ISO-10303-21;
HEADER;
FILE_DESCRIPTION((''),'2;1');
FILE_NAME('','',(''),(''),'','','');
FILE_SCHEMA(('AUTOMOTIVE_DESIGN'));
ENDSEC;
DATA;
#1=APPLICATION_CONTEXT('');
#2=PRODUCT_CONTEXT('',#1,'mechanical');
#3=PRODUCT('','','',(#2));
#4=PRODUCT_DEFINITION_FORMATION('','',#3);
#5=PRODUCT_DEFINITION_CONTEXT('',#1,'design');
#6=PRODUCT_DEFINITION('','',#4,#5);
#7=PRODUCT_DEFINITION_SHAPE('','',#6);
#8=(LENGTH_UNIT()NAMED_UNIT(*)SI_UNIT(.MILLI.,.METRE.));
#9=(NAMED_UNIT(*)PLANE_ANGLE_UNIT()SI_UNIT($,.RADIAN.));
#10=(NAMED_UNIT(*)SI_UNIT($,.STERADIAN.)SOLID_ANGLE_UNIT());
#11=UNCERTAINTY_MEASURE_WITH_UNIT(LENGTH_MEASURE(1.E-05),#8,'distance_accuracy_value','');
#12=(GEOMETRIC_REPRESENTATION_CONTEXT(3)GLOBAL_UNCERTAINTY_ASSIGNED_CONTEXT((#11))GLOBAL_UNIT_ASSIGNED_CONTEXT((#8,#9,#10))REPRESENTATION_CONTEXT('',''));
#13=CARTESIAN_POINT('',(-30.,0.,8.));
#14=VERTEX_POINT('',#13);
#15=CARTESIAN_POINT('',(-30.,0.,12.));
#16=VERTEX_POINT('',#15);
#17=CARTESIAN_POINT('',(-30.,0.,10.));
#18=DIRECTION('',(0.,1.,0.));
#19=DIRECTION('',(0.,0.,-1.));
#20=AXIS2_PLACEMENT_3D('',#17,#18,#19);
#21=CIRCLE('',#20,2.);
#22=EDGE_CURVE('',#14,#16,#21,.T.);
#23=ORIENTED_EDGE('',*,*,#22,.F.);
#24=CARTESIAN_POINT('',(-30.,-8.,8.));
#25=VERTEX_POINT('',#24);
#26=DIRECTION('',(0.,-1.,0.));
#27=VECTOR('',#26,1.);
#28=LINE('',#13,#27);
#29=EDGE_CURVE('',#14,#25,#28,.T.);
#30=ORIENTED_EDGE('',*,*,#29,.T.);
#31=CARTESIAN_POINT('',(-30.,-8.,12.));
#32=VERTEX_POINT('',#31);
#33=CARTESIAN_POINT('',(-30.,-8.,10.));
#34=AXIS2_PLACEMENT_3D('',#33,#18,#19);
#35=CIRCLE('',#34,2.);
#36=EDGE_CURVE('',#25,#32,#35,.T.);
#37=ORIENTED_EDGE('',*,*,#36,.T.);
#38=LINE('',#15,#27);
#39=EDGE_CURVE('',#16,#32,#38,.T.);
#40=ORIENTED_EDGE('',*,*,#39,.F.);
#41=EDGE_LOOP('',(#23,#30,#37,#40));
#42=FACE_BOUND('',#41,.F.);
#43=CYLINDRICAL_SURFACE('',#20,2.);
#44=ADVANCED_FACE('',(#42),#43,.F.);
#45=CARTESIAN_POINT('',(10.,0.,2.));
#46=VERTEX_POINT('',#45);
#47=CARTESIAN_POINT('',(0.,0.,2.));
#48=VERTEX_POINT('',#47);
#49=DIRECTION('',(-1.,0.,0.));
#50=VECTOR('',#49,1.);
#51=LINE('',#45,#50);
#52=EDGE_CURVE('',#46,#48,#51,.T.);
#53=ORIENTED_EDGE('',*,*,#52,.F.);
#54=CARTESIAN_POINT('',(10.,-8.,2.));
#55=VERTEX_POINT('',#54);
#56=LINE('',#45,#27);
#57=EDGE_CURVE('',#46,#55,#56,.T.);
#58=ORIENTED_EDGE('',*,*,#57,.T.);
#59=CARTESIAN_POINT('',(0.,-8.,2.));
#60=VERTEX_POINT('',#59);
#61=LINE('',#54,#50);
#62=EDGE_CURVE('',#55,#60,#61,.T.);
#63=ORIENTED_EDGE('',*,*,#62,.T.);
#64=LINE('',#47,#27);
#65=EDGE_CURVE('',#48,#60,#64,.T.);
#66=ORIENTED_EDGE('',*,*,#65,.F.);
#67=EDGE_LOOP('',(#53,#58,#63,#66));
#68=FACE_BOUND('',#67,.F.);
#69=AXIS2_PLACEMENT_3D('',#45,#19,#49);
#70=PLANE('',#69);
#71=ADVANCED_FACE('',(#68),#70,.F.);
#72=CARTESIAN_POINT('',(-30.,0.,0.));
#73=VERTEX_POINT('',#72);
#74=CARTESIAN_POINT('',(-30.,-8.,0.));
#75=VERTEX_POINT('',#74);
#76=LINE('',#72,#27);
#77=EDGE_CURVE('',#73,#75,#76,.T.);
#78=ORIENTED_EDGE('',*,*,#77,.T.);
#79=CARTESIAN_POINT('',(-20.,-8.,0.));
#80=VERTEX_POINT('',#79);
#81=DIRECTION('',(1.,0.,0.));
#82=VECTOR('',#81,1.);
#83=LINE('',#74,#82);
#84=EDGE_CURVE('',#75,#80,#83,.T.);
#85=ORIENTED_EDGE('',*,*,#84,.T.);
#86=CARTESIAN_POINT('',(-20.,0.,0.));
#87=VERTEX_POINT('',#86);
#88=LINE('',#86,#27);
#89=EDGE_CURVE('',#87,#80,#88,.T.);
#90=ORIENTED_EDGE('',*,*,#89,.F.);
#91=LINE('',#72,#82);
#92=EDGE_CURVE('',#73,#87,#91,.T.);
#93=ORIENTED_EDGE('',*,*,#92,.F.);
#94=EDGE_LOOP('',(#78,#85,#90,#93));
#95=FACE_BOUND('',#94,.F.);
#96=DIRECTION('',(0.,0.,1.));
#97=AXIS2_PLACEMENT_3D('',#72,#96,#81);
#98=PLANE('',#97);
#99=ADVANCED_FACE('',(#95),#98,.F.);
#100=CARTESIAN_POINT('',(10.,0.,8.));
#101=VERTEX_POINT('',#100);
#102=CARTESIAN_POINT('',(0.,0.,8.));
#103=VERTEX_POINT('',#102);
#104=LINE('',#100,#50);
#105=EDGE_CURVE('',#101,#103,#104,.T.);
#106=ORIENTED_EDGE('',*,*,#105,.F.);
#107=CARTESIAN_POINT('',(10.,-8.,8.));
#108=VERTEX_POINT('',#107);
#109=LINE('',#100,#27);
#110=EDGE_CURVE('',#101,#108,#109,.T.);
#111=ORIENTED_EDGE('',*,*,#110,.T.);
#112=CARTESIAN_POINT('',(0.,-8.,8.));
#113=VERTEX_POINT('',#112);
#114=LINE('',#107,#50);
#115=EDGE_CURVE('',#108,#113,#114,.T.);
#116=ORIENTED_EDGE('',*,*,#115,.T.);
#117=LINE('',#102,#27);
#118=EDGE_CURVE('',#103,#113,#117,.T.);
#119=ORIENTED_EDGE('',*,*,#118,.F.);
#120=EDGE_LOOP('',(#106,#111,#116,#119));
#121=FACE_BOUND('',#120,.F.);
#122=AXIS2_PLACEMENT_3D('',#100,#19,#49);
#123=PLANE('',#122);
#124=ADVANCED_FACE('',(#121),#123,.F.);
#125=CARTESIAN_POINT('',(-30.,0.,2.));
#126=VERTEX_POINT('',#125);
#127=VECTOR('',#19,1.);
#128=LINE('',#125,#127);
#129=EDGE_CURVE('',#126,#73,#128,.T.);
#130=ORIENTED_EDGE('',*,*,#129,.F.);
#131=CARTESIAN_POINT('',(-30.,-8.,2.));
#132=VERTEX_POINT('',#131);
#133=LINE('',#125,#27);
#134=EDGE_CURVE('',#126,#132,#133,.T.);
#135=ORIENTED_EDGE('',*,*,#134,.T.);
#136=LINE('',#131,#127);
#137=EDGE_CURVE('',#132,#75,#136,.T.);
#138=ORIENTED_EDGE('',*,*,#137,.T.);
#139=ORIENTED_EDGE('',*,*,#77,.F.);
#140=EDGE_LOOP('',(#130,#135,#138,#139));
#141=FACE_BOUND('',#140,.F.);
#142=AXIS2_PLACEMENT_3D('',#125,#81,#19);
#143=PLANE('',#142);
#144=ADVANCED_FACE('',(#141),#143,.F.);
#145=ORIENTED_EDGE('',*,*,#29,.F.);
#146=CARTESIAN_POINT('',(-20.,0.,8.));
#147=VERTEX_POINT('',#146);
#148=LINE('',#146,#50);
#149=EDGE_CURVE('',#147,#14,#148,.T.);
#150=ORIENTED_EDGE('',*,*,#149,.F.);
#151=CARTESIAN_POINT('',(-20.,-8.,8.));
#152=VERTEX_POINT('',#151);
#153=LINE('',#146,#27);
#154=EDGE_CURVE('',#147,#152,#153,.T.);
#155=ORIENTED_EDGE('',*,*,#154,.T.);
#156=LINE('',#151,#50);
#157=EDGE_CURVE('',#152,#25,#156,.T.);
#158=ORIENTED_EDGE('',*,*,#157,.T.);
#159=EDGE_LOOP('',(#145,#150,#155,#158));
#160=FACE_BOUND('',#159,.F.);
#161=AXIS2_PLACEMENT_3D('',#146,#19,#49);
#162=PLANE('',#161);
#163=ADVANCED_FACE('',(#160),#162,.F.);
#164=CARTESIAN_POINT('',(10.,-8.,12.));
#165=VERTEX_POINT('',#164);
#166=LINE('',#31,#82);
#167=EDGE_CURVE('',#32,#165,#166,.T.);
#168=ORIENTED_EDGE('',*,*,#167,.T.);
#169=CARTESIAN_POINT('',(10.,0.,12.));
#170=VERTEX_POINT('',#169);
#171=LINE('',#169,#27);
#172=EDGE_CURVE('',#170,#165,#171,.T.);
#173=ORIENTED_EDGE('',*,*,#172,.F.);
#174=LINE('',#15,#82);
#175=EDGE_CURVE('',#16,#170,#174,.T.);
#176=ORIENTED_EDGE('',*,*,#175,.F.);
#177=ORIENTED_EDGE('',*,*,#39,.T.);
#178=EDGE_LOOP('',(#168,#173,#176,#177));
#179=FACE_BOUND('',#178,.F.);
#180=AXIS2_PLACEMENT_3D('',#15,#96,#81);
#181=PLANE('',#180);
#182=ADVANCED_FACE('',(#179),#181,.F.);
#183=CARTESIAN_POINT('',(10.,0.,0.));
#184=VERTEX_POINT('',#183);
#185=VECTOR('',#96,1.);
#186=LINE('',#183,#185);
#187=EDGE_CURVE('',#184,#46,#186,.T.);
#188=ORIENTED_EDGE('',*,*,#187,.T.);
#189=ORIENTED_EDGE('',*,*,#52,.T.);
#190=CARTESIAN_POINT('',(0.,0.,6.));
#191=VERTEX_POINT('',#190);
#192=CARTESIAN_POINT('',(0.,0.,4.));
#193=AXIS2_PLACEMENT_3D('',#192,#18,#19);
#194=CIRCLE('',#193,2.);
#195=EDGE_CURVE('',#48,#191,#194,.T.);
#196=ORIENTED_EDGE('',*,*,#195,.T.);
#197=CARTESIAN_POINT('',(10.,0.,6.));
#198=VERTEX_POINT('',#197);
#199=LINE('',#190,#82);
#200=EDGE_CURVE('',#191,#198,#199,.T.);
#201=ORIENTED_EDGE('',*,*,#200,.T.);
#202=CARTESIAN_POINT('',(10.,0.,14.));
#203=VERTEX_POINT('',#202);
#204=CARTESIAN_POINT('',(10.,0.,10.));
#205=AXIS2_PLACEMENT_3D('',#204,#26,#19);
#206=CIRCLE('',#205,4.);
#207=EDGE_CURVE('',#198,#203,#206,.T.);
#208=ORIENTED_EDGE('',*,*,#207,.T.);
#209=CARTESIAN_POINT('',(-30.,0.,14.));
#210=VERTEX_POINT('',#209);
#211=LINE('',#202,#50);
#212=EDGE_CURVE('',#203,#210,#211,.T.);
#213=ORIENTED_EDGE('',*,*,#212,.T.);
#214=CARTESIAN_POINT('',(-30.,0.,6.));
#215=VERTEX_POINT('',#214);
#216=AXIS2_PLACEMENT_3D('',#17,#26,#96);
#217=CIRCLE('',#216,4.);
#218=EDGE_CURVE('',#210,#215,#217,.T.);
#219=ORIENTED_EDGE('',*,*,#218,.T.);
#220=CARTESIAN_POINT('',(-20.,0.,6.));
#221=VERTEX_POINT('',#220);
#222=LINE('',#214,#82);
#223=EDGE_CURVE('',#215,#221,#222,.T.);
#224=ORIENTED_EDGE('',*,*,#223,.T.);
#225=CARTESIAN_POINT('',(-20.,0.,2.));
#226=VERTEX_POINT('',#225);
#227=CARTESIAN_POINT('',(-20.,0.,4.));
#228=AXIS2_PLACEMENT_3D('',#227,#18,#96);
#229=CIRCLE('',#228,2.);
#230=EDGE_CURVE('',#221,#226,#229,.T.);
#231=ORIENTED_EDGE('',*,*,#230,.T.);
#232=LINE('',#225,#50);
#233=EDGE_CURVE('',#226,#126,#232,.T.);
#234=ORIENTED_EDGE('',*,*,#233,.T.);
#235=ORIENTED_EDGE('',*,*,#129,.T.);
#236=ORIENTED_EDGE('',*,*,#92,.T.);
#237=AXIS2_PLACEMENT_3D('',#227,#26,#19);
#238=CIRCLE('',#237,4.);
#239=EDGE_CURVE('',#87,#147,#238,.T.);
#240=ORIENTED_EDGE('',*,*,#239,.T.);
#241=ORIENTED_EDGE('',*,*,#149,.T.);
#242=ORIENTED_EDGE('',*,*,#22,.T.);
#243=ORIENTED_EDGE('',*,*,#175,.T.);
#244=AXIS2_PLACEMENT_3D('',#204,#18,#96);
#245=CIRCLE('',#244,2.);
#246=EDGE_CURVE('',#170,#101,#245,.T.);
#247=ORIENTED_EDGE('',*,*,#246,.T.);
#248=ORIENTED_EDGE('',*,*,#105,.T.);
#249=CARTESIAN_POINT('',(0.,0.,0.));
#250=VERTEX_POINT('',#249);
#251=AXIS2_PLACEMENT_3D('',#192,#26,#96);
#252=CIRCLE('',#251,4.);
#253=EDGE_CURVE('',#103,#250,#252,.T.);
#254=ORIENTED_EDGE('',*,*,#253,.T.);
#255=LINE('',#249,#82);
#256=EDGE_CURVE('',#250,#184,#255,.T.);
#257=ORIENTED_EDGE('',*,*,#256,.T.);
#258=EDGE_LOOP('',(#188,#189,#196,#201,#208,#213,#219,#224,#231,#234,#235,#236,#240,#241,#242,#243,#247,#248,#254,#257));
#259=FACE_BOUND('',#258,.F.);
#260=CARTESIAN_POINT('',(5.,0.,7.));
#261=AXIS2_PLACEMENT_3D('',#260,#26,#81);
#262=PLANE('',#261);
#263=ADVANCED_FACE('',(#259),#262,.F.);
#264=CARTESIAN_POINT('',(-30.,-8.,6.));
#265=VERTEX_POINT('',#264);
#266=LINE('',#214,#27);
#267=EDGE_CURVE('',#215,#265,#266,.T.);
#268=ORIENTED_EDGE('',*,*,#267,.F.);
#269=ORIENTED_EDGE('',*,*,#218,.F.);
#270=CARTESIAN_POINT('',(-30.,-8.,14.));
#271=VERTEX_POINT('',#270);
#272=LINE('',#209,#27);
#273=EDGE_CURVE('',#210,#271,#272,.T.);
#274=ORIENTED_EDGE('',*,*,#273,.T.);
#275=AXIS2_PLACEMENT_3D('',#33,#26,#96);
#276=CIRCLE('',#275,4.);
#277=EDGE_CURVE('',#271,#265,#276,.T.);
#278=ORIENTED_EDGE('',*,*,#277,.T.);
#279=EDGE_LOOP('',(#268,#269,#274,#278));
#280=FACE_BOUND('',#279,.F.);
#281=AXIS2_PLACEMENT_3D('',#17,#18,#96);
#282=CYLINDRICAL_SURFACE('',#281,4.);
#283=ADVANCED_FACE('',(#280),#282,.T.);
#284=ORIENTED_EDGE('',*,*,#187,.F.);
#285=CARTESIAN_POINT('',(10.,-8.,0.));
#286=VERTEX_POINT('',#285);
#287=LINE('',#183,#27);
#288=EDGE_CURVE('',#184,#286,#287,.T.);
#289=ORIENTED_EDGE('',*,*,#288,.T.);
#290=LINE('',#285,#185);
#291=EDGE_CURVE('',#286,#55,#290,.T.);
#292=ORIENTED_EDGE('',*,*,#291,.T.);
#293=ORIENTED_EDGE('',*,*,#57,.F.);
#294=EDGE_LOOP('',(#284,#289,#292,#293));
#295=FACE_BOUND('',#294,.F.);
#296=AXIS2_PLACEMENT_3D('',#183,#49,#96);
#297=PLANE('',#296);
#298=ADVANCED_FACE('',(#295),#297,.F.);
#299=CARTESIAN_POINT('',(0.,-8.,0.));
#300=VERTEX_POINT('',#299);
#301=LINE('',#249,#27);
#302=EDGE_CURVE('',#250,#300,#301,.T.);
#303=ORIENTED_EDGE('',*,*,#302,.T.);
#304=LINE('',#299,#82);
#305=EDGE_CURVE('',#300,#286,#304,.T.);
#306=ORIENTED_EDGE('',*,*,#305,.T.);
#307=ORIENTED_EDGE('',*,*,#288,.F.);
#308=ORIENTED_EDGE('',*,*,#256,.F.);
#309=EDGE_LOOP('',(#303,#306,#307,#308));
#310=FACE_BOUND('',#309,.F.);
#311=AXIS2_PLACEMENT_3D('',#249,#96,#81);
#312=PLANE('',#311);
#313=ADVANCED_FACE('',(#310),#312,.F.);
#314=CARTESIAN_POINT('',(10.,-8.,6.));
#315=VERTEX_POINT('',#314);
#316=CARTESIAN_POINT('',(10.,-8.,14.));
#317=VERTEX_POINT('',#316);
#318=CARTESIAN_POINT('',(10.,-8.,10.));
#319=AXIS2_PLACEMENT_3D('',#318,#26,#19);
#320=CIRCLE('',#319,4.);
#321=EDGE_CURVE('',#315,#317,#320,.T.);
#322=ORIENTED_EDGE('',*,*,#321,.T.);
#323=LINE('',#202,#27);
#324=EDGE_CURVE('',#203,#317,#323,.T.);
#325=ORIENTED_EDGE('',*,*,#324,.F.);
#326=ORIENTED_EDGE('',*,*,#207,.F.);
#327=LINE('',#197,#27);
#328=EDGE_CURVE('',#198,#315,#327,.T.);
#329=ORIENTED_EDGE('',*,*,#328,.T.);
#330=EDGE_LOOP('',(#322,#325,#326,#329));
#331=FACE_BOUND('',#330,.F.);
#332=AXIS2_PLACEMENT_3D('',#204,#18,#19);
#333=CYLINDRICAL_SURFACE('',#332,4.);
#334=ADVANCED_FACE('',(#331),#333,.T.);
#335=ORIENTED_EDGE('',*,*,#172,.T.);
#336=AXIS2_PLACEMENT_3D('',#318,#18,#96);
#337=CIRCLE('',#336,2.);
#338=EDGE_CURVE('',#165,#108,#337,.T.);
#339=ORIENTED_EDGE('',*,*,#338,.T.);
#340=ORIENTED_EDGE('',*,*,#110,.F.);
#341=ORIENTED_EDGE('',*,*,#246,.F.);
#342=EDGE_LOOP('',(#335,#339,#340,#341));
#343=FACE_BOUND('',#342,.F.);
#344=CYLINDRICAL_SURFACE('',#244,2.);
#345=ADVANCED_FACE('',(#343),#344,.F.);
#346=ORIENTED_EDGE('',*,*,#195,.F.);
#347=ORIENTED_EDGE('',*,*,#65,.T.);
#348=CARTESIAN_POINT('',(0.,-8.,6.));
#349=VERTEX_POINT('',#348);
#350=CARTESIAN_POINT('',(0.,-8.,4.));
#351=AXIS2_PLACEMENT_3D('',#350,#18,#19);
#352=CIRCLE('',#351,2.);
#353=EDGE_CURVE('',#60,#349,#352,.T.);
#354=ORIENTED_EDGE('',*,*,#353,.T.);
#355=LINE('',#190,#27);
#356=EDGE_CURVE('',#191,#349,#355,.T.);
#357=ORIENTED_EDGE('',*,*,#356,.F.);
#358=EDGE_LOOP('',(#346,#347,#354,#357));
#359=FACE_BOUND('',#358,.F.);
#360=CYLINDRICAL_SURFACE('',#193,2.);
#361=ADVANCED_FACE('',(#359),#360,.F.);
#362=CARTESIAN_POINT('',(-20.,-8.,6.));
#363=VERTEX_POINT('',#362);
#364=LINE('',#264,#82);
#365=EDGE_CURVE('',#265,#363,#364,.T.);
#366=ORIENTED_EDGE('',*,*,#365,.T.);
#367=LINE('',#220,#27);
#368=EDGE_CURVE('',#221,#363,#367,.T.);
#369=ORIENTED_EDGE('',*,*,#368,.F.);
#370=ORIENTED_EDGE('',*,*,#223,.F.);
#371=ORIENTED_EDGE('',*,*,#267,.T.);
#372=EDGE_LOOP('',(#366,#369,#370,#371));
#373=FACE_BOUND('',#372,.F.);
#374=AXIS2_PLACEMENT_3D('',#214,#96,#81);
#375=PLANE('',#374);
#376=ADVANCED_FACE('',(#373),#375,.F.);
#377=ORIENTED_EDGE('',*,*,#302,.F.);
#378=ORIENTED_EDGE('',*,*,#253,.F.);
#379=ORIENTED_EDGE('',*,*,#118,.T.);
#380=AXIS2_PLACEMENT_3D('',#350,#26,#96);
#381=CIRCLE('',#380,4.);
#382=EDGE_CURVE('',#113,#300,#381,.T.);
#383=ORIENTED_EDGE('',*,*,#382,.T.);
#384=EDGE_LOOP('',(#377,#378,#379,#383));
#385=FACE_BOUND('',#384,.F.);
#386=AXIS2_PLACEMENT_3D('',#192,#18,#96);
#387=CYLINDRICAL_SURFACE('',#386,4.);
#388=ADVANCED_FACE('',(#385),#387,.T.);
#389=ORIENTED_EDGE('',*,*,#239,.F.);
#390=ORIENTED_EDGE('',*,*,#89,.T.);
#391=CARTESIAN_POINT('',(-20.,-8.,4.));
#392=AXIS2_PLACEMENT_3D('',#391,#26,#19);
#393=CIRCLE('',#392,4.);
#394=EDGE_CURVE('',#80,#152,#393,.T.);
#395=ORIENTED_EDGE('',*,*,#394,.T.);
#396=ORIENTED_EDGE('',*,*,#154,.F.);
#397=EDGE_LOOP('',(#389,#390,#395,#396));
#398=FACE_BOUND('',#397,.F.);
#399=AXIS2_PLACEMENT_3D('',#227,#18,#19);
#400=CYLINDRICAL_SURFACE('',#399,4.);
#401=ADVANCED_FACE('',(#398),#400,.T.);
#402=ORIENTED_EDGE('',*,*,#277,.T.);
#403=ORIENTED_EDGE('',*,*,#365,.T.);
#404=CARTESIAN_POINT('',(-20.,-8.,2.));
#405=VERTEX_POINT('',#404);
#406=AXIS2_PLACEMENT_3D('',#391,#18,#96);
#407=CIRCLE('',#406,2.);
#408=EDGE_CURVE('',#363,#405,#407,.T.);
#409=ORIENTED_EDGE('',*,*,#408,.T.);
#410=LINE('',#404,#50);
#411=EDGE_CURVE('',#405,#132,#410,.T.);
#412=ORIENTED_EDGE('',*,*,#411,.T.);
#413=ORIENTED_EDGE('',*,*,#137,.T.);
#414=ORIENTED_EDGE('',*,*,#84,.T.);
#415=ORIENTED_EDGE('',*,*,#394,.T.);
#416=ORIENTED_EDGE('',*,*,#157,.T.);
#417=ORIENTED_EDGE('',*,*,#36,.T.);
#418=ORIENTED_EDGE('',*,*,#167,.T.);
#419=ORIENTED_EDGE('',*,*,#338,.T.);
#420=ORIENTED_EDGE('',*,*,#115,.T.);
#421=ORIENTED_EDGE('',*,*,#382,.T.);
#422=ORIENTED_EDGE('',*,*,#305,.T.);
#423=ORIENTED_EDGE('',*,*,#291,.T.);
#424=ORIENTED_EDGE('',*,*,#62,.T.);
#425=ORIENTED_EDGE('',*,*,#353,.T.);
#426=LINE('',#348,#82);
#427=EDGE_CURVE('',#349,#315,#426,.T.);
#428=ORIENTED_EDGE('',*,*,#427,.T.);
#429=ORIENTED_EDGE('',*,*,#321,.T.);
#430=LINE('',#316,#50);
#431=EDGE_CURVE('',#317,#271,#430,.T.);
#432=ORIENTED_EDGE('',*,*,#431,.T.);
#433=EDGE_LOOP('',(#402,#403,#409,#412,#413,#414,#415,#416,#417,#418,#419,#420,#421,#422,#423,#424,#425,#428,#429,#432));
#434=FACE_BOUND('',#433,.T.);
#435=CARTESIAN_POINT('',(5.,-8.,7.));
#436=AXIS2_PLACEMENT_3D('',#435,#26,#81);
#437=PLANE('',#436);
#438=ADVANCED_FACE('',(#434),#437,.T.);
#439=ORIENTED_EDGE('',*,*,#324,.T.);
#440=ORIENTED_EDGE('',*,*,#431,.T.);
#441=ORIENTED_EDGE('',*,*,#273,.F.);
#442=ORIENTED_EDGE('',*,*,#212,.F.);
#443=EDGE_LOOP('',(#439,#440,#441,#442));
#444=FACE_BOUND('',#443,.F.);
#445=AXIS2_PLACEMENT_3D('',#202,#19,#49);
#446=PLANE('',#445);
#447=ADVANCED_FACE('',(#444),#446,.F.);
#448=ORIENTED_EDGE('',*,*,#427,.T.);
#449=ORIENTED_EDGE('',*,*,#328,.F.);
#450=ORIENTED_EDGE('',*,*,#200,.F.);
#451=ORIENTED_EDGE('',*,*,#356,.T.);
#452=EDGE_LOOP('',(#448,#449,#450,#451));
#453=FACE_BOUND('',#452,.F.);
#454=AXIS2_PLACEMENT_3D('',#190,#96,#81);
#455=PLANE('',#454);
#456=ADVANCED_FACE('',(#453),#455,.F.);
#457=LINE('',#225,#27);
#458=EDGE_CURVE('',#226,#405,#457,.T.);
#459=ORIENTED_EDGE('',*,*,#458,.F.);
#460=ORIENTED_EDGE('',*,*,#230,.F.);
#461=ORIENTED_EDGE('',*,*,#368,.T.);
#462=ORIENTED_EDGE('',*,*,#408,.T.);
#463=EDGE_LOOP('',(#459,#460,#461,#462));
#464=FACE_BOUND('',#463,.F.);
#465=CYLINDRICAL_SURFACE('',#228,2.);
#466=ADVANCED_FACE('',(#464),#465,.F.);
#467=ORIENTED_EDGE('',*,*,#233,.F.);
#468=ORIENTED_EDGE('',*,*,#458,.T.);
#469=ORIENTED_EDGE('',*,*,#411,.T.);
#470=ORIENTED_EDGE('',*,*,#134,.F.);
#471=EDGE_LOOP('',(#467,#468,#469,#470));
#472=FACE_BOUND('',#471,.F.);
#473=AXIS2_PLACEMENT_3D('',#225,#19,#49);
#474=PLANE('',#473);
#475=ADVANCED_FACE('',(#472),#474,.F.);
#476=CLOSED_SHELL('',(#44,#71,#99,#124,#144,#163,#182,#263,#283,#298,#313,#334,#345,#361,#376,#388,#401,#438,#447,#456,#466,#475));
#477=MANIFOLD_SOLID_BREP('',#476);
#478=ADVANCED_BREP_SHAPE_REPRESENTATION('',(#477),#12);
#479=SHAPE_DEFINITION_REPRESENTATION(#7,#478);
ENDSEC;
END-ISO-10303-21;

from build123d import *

# Parameters (mm, degrees)
F0_W     = 10
F0_H     = 2
F1_DEPTH = 8


with BuildPart() as f1:
    # F0 (on Front) → F1 (new body)
    with BuildSketch(Plane.XZ):
        with BuildLine():
            Line((6.535898, 8), (0, 8))
            ThreePointArc((0, 8), (2, 7.464102), (3.464102, 6))
            Line((3.464102, 6), (10, 6))
            ThreePointArc((10, 6), (8, 6.535898), (6.535898, 8))
        make_face()
        with BuildLine():
            Line((10, 8), (6.535898, 8))
            ThreePointArc((6.535898, 8), (8, 6.535898), (10, 6))
            ThreePointArc((10, 6), (14, 10), (10, 14))
            ThreePointArc((10, 14), (8, 13.464102), (6.535898, 12))
            Line((6.535898, 12), (10, 12))
            ThreePointArc((10, 12), (12, 10), (10, 8))
        make_face()
        with BuildLine():
            ThreePointArc((6.535898, 12), (8, 13.464102), (10, 14))
            Line((10, 14), (0, 14))
            Line((0, 14), (0, 12))
            Line((0, 12), (6.535898, 12))
        make_face()
        with BuildLine():
            ThreePointArc((0, 8), (-4, 4), (0, 0))
            ThreePointArc((0, 0), (2, 0.535898), (3.464102, 2))
            Line((3.464102, 2), (0, 2))
            ThreePointArc((0, 2), (-2, 4), (0, 6))
            Line((0, 6), (3.464102, 6))
            ThreePointArc((3.464102, 6), (2, 7.464102), (0, 8))
        make_face()
        with BuildLine():
            ThreePointArc((3.464102, 2), (2, 0.535898), (0, 0))
            Line((0, 0), (10, 0))
            Line((10, 0), (10, 2))
            Line((10, 2), (3.464102, 2))
        make_face()
        with Locations((-5, 13)):
            Rectangle(F0_W, F0_H)
        with Locations((-15, 13)):
            Rectangle(F0_W, F0_H)
        with BuildLine():
            Line((-20, 12), (-20, 14))
            Line((-20, 14), (-30, 14))
            ThreePointArc((-30, 14), (-28, 13.464102), (-26.535898, 12))
            Line((-26.535898, 12), (-20, 12))
        make_face()
        with BuildLine():
            ThreePointArc((-26.535898, 12), (-28, 13.464102), (-30, 14))
            ThreePointArc((-30, 14), (-34, 10), (-30, 6))
            ThreePointArc((-30, 6), (-28, 6.535898), (-26.535898, 8))
            Line((-26.535898, 8), (-30, 8))
            ThreePointArc((-30, 8), (-32, 10), (-30, 12))
            Line((-30, 12), (-26.535898, 12))
        make_face()
        with BuildLine():
            ThreePointArc((-26.535898, 8), (-28, 6.535898), (-30, 6))
            Line((-30, 6), (-23.464102, 6))
            ThreePointArc((-23.464102, 6), (-22, 7.464102), (-20, 8))
            Line((-20, 8), (-26.535898, 8))
        make_face()
        with BuildLine():
            ThreePointArc((-20, 8), (-22, 7.464102), (-23.464102, 6))
            Line((-23.464102, 6), (-20, 6))
            ThreePointArc((-20, 6), (-18, 4), (-20, 2))
            Line((-20, 2), (-23.464102, 2))
            ThreePointArc((-23.464102, 2), (-22, 0.535898), (-20, 0))
            ThreePointArc((-20, 0), (-16, 4), (-20, 8))
        make_face()
        with BuildLine():
            Line((-30, 0), (-20, 0))
            ThreePointArc((-20, 0), (-22, 0.535898), (-23.464102, 2))
            Line((-23.464102, 2), (-30, 2))
            Line((-30, 2), (-30, 0))
        make_face()
    extrude(amount=F1_DEPTH)


solid = f1.part
